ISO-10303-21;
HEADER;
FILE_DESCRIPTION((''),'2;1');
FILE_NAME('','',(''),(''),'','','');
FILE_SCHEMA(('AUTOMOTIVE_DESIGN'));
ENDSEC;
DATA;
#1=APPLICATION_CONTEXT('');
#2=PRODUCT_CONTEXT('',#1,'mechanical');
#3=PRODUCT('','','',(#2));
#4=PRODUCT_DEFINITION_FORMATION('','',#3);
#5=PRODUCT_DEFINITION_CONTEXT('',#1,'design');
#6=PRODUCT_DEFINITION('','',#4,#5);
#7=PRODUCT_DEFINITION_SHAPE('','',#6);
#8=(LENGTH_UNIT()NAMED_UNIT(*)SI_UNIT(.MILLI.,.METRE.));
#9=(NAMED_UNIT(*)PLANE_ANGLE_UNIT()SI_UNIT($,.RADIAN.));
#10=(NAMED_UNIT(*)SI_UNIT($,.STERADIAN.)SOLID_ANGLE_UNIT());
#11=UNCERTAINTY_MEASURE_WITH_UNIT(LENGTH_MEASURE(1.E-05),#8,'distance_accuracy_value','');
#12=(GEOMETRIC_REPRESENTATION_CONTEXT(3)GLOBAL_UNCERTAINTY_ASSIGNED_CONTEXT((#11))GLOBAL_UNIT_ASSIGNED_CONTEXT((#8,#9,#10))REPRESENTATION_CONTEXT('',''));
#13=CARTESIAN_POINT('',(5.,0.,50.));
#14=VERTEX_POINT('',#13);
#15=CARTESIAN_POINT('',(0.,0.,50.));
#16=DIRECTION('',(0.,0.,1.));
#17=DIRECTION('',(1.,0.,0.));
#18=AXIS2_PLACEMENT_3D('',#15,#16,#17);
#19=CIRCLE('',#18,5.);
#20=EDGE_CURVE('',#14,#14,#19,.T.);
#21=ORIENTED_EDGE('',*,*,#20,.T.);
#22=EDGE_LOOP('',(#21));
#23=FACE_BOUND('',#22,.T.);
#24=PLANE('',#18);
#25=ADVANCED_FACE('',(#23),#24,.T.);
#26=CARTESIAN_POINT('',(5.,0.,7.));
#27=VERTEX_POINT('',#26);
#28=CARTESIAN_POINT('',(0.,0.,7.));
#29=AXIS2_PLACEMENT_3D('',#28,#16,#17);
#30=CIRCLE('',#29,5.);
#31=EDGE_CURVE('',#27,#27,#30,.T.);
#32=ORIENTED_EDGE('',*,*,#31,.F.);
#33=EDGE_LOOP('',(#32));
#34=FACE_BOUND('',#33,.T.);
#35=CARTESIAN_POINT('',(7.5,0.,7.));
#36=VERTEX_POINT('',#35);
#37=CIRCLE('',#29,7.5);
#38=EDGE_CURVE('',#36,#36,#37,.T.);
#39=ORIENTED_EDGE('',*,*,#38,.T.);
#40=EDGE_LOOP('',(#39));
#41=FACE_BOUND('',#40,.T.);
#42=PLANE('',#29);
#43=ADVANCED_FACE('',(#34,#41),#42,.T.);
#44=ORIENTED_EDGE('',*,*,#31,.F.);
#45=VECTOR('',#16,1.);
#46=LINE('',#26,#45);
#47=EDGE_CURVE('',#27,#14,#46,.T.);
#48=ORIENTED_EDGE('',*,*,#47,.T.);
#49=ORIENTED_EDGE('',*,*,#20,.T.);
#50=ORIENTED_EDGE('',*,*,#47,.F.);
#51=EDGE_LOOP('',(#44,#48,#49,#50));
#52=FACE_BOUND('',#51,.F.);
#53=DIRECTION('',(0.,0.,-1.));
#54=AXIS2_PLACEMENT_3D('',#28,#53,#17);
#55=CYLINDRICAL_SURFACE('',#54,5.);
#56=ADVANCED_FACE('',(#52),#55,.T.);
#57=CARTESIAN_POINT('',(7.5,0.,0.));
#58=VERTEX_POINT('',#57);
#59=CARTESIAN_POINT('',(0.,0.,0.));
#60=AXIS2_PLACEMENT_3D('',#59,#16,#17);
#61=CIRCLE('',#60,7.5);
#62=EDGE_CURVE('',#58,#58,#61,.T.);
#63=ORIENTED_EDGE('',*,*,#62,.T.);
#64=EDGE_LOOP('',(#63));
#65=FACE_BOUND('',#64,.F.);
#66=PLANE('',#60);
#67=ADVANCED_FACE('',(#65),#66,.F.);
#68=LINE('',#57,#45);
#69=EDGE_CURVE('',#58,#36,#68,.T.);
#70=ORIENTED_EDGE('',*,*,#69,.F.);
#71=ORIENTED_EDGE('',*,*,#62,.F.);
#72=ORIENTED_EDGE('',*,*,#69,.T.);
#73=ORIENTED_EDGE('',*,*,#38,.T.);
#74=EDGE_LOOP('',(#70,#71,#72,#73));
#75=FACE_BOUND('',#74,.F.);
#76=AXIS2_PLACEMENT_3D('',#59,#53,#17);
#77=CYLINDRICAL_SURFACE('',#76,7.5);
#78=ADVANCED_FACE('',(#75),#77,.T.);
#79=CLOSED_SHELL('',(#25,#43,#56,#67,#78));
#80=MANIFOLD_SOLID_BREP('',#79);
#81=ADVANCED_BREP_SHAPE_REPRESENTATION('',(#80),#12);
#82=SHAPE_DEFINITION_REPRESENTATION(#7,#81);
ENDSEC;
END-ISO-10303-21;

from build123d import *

# Parameters (mm, degrees)
SKETCH1_R           = 7.5
BOSS_EXTRUDE1_DEPTH = 7
SKETCH2_R           = 5
BOSS_EXTRUDE2_DEPTH = 43


with BuildPart() as part:
    # Sketch1 → Boss-Extrude1 (new body)
    with BuildSketch(Plane.XY):
        Circle(SKETCH1_R)
    extrude(amount=BOSS_EXTRUDE1_DEPTH)

    # Sketch2 → Boss-Extrude2 (add)
    with BuildSketch(Plane.XY.offset(7)):
        Circle(SKETCH2_R)
    extrude(amount=BOSS_EXTRUDE2_DEPTH)


solid = part.part
